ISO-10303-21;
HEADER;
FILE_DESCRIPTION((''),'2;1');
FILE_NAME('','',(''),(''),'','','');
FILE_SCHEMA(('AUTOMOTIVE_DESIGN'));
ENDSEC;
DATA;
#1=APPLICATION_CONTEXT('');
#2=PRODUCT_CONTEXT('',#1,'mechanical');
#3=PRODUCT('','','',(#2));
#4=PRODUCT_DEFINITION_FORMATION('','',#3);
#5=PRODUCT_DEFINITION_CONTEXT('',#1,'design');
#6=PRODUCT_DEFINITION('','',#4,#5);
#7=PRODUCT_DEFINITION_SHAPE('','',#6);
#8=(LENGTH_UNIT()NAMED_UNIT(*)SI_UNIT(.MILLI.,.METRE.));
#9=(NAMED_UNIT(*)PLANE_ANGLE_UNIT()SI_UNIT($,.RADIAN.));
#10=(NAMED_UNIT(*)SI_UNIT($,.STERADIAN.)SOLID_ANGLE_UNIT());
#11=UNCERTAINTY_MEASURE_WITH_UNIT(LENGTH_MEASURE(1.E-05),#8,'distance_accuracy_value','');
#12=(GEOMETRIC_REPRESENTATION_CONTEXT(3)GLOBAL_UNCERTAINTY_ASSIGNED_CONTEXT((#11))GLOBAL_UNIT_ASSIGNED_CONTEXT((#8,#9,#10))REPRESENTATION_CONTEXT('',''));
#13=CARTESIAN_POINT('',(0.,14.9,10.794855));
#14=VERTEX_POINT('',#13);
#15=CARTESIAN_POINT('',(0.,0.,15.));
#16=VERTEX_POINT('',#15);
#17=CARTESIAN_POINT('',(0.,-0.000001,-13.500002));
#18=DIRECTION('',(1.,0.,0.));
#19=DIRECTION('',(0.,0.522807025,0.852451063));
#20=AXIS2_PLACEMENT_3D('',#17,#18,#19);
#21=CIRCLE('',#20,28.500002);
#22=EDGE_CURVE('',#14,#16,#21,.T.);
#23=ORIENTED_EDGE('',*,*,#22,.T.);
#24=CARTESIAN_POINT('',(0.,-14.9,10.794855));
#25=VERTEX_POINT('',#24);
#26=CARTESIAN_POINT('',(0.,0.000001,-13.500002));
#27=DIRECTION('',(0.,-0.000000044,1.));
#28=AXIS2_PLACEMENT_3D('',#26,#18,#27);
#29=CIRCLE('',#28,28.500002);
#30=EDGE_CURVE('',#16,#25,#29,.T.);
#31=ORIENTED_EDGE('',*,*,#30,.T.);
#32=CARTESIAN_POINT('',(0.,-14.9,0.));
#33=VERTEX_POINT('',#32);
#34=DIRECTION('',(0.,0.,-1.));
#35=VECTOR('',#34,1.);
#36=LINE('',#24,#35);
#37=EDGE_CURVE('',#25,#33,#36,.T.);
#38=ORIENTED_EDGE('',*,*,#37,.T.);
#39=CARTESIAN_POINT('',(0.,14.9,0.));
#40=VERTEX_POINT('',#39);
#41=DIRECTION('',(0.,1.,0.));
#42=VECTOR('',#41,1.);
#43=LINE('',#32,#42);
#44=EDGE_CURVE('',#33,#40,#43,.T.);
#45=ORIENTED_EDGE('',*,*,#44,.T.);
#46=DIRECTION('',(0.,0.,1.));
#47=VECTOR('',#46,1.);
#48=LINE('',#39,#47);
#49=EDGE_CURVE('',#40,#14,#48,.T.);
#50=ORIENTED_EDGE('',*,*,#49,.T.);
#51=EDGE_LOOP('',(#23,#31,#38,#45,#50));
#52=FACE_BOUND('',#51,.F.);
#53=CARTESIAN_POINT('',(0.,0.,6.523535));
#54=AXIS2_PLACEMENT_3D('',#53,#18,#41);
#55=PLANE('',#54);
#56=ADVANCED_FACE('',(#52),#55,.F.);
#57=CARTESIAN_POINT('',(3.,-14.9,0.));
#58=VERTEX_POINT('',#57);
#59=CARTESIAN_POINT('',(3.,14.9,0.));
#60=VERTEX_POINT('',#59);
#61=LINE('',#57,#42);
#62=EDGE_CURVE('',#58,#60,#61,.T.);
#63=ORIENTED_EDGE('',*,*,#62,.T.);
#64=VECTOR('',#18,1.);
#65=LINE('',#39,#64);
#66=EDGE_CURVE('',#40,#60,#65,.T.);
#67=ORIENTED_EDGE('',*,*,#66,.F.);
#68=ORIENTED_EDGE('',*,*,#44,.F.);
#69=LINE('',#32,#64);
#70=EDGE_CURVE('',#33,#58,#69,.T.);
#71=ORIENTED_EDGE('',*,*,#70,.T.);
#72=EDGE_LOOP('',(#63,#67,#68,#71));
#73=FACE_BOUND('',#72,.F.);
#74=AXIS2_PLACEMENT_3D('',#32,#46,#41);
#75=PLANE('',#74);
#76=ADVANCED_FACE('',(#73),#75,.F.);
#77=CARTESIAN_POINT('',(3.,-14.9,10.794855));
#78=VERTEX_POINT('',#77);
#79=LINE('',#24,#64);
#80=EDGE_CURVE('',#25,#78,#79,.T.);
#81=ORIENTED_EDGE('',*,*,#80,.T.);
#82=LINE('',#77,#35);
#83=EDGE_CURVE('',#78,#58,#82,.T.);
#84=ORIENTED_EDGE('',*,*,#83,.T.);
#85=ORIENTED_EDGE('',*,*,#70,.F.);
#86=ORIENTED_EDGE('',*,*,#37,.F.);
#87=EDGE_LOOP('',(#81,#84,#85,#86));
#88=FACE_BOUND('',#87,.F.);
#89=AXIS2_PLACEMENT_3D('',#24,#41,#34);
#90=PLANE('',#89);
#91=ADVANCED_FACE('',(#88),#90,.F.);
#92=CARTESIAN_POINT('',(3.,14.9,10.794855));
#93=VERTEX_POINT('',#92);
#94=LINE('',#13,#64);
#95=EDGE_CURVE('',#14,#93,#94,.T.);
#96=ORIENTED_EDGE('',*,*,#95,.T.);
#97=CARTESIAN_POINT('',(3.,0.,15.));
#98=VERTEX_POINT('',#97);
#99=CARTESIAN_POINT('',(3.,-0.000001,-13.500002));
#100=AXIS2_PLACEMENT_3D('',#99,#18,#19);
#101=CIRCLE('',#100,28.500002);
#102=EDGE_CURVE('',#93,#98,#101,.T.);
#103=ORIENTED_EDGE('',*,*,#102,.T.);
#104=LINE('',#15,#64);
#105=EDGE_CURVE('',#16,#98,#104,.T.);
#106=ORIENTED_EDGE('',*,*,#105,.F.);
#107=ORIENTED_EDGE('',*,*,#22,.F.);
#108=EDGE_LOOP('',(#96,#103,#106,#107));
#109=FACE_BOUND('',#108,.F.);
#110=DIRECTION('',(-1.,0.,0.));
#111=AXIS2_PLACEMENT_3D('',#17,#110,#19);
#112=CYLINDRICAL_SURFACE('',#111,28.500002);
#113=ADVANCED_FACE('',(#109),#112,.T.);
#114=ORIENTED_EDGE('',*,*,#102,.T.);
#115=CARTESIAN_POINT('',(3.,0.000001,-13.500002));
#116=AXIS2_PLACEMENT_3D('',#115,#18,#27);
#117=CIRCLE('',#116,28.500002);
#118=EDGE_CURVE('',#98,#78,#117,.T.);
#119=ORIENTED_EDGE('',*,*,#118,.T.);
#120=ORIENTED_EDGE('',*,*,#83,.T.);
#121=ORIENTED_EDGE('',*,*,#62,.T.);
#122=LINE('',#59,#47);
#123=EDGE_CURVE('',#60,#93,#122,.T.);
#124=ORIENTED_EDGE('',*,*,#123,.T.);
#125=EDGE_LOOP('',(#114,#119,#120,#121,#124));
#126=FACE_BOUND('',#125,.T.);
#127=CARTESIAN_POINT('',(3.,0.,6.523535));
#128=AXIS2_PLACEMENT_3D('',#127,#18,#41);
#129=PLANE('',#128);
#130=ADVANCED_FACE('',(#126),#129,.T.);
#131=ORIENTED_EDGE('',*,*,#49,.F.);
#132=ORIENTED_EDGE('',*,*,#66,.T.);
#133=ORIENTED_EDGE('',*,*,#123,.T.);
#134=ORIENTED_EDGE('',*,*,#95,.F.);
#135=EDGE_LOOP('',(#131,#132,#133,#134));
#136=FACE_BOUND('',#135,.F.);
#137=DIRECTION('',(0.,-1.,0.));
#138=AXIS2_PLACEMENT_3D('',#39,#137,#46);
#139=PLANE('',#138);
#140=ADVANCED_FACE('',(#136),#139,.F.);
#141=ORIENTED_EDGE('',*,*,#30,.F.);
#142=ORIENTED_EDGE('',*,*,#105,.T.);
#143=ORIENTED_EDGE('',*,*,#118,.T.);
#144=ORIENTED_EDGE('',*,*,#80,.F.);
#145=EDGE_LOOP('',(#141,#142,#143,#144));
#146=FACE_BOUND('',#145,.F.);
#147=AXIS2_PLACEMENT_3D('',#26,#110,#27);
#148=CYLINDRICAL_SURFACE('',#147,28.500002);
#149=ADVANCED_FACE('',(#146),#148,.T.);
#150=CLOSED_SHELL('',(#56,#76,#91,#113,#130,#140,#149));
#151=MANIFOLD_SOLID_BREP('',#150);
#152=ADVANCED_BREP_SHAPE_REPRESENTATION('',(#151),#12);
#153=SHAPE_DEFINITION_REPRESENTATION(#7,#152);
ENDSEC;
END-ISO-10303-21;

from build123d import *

# Parameters (mm, degrees)
F1_DEPTH = 3


with BuildPart() as f1:
    # F0 (on Right) → F1 (new body)
    with BuildSketch(Plane.YZ):
        with BuildLine():
            Line((-14.9, 10.794855), (-14.9, 0))
            Line((-14.9, 0), (14.9, 0))
            Line((14.9, 0), (14.9, 10.794855))
            ThreePointArc((14.9, 10.794855), (7.741015, 13.928574), (0, 15))
            ThreePointArc((0, 15), (-7.741015, 13.928574), (-14.9, 10.794855))
        make_face()
    extrude(amount=F1_DEPTH)


solid = f1.part
